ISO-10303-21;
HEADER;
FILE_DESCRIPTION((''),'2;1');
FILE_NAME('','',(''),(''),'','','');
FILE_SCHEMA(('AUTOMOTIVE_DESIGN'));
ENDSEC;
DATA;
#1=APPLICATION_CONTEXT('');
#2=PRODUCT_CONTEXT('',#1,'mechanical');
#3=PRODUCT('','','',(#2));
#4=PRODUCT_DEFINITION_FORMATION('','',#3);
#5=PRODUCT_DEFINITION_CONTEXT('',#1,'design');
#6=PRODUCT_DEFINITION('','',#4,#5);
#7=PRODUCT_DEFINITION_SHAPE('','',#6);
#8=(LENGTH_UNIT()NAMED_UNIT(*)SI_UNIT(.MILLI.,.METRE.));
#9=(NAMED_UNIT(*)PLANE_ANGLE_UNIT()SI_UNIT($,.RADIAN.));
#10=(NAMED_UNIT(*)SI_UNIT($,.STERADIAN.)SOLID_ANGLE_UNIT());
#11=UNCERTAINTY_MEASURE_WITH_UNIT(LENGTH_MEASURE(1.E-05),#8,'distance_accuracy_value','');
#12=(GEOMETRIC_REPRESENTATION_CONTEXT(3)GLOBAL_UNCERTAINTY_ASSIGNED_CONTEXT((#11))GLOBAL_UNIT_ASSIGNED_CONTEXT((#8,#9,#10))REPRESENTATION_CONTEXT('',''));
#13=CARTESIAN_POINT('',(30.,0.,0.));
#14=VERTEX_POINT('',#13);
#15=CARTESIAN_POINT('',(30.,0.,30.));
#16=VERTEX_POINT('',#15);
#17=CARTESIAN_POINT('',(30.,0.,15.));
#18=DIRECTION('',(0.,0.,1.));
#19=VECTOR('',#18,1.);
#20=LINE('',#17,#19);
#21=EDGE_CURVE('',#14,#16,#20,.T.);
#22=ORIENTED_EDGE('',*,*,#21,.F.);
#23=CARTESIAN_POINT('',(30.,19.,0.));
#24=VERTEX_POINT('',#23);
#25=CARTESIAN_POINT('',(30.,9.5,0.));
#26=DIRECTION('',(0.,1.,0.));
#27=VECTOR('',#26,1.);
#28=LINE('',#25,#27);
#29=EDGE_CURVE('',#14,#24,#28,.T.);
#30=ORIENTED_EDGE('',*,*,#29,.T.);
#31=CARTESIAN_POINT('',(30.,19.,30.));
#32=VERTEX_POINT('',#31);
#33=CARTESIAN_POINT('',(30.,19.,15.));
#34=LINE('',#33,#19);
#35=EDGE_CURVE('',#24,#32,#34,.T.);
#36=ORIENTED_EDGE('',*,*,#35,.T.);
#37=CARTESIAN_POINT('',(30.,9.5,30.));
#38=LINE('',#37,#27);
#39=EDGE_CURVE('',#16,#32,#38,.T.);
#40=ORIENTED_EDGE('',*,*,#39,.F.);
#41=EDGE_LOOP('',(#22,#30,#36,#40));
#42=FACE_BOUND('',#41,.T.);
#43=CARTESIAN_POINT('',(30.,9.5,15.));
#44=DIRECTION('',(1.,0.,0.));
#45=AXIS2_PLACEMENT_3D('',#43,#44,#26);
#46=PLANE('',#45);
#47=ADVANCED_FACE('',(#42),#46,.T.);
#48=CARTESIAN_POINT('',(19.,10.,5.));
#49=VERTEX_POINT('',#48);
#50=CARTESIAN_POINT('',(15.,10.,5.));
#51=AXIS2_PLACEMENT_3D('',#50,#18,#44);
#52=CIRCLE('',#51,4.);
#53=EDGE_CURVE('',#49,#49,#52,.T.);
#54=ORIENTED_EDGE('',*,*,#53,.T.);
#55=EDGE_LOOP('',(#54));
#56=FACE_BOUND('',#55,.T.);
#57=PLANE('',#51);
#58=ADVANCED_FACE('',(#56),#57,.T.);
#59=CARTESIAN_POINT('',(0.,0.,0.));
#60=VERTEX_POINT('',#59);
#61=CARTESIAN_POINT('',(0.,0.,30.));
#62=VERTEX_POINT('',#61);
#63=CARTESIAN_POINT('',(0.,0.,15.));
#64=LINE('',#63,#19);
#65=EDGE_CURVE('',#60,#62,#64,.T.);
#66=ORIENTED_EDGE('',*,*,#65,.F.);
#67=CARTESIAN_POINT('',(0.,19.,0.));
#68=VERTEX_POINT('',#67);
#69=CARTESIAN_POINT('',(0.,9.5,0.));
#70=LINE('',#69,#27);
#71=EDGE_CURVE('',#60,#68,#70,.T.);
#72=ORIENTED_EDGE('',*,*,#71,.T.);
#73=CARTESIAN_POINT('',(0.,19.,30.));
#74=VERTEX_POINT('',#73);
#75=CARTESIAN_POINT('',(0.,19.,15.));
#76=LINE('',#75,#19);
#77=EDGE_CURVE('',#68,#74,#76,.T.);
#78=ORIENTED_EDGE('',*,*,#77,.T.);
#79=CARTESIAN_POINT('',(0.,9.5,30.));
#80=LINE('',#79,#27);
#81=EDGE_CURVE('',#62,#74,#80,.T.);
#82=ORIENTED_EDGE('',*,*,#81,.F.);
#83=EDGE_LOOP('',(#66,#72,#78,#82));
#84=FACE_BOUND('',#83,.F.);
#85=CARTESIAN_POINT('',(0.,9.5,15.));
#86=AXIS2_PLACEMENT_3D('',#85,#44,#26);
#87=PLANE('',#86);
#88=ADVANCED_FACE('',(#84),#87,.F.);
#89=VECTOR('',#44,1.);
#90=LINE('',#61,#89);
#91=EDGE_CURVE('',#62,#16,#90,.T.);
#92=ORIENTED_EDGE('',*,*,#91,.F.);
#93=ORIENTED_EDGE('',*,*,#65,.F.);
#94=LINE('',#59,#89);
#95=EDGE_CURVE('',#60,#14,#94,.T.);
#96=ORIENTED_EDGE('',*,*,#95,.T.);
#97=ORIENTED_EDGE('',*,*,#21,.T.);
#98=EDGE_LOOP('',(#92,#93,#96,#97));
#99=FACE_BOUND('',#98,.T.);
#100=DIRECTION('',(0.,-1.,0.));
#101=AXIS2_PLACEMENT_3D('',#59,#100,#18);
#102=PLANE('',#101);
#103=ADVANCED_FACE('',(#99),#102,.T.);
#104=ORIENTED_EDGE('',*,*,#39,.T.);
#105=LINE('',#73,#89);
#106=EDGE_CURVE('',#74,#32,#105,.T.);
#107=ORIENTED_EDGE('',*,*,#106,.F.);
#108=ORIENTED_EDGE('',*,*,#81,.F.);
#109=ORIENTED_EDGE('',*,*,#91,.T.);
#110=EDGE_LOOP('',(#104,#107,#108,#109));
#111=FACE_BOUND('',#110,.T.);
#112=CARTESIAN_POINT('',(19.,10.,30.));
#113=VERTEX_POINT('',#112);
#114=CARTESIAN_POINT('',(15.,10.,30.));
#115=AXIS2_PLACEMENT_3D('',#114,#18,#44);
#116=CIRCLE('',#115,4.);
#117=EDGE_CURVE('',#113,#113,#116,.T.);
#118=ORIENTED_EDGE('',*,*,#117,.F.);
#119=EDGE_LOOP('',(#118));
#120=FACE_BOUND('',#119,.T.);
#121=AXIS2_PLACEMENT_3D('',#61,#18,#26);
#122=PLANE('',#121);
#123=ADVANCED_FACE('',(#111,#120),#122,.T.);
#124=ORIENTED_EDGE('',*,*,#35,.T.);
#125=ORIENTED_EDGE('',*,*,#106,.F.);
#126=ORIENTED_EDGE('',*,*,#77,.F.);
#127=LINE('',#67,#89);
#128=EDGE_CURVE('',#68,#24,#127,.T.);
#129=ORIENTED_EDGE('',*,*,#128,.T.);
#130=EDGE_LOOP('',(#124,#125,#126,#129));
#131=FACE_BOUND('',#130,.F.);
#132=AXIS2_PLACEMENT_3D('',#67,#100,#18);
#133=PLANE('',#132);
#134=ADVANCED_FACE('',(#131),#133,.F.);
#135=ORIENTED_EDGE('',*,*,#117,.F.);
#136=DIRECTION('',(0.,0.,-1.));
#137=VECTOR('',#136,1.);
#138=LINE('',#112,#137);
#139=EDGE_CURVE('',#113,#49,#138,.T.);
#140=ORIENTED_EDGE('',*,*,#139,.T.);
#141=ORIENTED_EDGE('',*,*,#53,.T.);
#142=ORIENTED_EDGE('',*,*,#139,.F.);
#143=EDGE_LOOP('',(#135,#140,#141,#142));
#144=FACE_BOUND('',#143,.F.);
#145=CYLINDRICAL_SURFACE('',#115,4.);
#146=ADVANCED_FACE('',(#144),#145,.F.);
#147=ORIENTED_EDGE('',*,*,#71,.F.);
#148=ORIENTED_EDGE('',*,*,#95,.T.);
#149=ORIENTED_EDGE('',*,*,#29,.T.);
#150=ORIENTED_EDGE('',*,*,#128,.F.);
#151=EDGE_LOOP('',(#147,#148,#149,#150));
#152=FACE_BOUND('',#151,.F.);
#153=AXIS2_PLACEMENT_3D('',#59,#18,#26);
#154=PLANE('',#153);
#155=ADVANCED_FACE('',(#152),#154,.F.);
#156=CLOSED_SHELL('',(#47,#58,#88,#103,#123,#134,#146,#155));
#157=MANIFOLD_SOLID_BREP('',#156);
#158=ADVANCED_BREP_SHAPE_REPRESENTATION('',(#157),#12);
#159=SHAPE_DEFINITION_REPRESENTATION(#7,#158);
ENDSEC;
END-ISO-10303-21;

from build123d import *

# Parameters (mm, degrees)
F0_W     = 19
F0_H     = 30
F1_DEPTH = 30
F2_R     = 4
F3_DEPTH = 25


with BuildPart() as f1:
    # F0 (on Right) → F1 (new body)
    with BuildSketch(Plane.YZ):
        with Locations((9.5, 15)):
            Rectangle(F0_W, F0_H)
    extrude(amount=F1_DEPTH)

    # F2 (on face) → F3 (cut)
    with BuildSketch(Plane.XY.offset(30)):
        with Locations((15, 10)):
            Circle(F2_R)
    extrude(amount=-F3_DEPTH, mode=Mode.SUBTRACT)


solid = f1.part
